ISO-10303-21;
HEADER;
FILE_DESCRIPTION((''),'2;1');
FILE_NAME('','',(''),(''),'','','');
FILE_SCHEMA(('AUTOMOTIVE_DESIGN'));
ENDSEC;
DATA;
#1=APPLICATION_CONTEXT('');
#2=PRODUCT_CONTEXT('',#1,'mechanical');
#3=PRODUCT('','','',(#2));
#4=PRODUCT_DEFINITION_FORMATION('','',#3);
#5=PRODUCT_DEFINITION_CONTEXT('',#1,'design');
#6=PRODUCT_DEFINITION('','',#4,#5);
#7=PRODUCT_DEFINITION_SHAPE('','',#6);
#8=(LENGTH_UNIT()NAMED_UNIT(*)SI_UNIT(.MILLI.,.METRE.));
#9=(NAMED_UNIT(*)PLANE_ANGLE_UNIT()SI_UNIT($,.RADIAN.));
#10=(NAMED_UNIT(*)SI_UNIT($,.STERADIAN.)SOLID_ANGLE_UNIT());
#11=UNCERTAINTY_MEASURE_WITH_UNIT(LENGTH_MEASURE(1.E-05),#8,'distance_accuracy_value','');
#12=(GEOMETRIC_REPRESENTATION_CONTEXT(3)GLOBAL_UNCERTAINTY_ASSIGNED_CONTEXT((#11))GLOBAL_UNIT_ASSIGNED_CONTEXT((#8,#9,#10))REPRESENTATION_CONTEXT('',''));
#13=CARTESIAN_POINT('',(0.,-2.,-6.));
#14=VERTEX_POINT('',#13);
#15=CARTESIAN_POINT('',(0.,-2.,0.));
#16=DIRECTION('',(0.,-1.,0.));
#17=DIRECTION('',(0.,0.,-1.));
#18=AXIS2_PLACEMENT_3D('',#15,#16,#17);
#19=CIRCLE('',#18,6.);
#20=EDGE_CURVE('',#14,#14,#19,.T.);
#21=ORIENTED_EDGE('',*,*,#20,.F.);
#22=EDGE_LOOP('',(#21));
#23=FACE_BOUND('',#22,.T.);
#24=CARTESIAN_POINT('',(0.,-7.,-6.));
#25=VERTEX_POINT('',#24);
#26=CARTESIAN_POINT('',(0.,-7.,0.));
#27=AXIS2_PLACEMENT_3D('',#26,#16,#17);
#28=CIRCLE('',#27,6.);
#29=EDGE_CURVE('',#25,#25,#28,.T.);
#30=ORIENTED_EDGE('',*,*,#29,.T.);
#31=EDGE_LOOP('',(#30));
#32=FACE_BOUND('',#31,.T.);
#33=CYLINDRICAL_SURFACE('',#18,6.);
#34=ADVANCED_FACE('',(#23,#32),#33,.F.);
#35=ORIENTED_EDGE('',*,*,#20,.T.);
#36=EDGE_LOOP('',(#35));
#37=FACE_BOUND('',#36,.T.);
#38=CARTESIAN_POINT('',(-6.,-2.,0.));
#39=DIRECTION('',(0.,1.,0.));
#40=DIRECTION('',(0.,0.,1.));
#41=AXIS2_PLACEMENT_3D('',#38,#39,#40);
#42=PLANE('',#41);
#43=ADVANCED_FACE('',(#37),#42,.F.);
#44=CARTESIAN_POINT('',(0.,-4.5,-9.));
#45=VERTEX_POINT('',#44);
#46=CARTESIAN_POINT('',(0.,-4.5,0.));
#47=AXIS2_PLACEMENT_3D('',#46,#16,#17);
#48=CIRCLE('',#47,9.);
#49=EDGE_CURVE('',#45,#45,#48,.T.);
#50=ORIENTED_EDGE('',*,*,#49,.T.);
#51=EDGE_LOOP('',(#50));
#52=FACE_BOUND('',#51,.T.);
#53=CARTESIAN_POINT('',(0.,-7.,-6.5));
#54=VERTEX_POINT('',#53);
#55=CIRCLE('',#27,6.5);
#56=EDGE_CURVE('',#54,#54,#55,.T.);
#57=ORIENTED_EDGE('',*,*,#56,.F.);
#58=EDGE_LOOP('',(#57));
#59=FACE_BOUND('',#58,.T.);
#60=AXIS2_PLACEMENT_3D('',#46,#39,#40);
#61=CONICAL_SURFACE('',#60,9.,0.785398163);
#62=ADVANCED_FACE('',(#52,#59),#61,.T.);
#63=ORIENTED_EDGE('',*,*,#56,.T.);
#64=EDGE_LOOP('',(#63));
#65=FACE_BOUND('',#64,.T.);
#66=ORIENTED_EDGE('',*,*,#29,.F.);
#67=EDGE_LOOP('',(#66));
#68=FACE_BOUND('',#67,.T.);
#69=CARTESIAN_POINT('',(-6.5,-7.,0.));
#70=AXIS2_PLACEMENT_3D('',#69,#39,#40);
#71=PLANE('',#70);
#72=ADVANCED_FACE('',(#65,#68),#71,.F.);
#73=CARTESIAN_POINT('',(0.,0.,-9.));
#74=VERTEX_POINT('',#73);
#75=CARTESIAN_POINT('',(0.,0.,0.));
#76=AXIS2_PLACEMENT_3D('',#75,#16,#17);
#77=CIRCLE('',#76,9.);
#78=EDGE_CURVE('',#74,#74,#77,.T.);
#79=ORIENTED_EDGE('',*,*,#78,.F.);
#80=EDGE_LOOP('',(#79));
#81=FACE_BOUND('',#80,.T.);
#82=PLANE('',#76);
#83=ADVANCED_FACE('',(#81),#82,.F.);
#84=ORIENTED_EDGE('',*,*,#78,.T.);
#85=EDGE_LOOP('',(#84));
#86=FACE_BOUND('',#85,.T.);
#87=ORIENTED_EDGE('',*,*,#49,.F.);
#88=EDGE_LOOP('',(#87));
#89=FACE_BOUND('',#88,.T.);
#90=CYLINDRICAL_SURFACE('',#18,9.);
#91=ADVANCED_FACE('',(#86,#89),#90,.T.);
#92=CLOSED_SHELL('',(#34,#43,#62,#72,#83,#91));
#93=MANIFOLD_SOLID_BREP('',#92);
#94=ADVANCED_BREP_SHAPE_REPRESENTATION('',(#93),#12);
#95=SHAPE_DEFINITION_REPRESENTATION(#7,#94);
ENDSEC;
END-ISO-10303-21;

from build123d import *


with BuildPart() as part:
    # Эскиз1 → Повернуть1 (revolve)
    with BuildSketch(Plane.XY, mode=Mode.PRIVATE) as revolve_1_sk:
        Polygon((0, 0), (-9, 0), (-9, -4.5), (-6.5, -7), (-6, -7), (-6, -2), (0, -2), align=None)
    revolve(revolve_1_sk.sketch.rotate(Axis((0, -2, 0), (0, 1, 0)), 270), axis=Axis((0, -2, 0), (0, 1, 0)))


solid = part.part
